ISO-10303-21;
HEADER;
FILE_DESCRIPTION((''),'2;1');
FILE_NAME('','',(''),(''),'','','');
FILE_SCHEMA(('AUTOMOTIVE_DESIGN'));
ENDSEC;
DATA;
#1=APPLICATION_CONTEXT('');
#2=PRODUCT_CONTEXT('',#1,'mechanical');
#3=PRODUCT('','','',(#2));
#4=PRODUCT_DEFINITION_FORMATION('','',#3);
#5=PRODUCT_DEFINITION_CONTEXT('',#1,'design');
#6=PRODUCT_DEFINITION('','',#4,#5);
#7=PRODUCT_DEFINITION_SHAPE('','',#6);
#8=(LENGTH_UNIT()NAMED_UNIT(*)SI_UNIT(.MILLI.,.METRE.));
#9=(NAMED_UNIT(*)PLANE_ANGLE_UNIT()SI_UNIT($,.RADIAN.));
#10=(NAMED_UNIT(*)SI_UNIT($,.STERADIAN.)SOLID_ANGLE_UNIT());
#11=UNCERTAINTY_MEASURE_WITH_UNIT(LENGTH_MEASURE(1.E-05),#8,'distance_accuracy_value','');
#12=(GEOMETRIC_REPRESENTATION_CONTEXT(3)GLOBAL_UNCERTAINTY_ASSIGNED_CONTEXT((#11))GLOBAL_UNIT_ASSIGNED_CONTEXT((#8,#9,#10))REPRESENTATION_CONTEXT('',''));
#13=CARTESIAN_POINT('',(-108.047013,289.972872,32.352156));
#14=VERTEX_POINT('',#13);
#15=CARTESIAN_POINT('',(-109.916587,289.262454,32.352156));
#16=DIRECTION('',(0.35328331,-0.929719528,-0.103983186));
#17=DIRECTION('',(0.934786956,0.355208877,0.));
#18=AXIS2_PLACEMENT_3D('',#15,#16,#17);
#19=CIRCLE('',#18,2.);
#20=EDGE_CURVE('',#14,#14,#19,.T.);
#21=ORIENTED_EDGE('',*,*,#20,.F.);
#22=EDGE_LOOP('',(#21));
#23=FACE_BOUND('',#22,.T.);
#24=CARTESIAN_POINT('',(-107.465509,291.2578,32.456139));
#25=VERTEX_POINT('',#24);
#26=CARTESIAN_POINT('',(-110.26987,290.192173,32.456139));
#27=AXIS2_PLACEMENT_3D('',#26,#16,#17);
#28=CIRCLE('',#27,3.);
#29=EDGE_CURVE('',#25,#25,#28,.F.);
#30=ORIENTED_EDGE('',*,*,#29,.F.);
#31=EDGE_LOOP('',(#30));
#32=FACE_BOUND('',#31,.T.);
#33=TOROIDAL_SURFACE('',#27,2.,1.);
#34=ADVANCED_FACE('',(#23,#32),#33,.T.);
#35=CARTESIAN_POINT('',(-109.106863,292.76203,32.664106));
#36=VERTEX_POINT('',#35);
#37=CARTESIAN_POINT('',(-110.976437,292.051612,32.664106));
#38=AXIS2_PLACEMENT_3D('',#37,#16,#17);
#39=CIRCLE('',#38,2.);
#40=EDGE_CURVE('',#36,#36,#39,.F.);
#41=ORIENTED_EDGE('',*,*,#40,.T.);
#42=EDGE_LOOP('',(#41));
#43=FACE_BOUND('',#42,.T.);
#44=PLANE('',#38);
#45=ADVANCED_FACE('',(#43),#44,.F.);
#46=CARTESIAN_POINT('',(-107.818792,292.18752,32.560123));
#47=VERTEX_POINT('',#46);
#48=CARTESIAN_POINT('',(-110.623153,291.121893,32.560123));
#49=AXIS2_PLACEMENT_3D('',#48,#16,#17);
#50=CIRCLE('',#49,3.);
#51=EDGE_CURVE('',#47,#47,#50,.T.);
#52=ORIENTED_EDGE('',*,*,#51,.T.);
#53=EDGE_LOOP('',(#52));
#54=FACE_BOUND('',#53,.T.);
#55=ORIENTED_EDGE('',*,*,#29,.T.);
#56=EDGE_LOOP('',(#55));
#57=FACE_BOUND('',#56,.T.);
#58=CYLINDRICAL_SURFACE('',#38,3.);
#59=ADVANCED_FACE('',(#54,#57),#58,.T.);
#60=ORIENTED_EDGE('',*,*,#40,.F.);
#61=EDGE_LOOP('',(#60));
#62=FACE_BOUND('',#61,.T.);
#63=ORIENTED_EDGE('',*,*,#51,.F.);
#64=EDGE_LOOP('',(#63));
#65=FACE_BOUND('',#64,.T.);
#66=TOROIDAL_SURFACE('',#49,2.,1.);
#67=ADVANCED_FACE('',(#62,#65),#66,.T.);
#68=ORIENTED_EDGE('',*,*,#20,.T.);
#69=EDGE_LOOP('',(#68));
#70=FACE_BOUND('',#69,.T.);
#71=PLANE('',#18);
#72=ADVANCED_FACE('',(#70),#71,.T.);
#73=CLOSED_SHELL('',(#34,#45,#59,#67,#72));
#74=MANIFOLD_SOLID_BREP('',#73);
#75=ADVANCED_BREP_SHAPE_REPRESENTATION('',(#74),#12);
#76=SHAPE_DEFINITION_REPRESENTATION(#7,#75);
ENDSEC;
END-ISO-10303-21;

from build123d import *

# Parameters (mm, degrees)
SKETCH1_R           = 3
BOSS_EXTRUDE1_DEPTH = 3
FILLET2_R           = 1


with BuildPart() as part:
    # Sketch1 → Boss-Extrude1 (new body)
    with BuildSketch(Plane(origin=(-109.91658667, 289.262453813, 32.352156254), x_dir=(-0.7200369137388927, -0.19926247048571702, -0.6647114492088272), z_dir=(0.3532833096702826, -0.9297195277140368, -0.1039831856388323))):
        with Locations(Location((0, 0, 0), (0, 0, 138.061353095))):
            Circle(SKETCH1_R)
    extrude(amount=-BOSS_EXTRUDE1_DEPTH)

    # Fillet2
    fillet2_edges = [part.edges().sort_by_distance(p)[0] for p in [
        (-112.720947538, 288.196827181, 32.352156254),
        (-113.780797467, 290.985985764, 32.664105811),
    ]]
    fillet(fillet2_edges, radius=FILLET2_R)


solid = part.part
